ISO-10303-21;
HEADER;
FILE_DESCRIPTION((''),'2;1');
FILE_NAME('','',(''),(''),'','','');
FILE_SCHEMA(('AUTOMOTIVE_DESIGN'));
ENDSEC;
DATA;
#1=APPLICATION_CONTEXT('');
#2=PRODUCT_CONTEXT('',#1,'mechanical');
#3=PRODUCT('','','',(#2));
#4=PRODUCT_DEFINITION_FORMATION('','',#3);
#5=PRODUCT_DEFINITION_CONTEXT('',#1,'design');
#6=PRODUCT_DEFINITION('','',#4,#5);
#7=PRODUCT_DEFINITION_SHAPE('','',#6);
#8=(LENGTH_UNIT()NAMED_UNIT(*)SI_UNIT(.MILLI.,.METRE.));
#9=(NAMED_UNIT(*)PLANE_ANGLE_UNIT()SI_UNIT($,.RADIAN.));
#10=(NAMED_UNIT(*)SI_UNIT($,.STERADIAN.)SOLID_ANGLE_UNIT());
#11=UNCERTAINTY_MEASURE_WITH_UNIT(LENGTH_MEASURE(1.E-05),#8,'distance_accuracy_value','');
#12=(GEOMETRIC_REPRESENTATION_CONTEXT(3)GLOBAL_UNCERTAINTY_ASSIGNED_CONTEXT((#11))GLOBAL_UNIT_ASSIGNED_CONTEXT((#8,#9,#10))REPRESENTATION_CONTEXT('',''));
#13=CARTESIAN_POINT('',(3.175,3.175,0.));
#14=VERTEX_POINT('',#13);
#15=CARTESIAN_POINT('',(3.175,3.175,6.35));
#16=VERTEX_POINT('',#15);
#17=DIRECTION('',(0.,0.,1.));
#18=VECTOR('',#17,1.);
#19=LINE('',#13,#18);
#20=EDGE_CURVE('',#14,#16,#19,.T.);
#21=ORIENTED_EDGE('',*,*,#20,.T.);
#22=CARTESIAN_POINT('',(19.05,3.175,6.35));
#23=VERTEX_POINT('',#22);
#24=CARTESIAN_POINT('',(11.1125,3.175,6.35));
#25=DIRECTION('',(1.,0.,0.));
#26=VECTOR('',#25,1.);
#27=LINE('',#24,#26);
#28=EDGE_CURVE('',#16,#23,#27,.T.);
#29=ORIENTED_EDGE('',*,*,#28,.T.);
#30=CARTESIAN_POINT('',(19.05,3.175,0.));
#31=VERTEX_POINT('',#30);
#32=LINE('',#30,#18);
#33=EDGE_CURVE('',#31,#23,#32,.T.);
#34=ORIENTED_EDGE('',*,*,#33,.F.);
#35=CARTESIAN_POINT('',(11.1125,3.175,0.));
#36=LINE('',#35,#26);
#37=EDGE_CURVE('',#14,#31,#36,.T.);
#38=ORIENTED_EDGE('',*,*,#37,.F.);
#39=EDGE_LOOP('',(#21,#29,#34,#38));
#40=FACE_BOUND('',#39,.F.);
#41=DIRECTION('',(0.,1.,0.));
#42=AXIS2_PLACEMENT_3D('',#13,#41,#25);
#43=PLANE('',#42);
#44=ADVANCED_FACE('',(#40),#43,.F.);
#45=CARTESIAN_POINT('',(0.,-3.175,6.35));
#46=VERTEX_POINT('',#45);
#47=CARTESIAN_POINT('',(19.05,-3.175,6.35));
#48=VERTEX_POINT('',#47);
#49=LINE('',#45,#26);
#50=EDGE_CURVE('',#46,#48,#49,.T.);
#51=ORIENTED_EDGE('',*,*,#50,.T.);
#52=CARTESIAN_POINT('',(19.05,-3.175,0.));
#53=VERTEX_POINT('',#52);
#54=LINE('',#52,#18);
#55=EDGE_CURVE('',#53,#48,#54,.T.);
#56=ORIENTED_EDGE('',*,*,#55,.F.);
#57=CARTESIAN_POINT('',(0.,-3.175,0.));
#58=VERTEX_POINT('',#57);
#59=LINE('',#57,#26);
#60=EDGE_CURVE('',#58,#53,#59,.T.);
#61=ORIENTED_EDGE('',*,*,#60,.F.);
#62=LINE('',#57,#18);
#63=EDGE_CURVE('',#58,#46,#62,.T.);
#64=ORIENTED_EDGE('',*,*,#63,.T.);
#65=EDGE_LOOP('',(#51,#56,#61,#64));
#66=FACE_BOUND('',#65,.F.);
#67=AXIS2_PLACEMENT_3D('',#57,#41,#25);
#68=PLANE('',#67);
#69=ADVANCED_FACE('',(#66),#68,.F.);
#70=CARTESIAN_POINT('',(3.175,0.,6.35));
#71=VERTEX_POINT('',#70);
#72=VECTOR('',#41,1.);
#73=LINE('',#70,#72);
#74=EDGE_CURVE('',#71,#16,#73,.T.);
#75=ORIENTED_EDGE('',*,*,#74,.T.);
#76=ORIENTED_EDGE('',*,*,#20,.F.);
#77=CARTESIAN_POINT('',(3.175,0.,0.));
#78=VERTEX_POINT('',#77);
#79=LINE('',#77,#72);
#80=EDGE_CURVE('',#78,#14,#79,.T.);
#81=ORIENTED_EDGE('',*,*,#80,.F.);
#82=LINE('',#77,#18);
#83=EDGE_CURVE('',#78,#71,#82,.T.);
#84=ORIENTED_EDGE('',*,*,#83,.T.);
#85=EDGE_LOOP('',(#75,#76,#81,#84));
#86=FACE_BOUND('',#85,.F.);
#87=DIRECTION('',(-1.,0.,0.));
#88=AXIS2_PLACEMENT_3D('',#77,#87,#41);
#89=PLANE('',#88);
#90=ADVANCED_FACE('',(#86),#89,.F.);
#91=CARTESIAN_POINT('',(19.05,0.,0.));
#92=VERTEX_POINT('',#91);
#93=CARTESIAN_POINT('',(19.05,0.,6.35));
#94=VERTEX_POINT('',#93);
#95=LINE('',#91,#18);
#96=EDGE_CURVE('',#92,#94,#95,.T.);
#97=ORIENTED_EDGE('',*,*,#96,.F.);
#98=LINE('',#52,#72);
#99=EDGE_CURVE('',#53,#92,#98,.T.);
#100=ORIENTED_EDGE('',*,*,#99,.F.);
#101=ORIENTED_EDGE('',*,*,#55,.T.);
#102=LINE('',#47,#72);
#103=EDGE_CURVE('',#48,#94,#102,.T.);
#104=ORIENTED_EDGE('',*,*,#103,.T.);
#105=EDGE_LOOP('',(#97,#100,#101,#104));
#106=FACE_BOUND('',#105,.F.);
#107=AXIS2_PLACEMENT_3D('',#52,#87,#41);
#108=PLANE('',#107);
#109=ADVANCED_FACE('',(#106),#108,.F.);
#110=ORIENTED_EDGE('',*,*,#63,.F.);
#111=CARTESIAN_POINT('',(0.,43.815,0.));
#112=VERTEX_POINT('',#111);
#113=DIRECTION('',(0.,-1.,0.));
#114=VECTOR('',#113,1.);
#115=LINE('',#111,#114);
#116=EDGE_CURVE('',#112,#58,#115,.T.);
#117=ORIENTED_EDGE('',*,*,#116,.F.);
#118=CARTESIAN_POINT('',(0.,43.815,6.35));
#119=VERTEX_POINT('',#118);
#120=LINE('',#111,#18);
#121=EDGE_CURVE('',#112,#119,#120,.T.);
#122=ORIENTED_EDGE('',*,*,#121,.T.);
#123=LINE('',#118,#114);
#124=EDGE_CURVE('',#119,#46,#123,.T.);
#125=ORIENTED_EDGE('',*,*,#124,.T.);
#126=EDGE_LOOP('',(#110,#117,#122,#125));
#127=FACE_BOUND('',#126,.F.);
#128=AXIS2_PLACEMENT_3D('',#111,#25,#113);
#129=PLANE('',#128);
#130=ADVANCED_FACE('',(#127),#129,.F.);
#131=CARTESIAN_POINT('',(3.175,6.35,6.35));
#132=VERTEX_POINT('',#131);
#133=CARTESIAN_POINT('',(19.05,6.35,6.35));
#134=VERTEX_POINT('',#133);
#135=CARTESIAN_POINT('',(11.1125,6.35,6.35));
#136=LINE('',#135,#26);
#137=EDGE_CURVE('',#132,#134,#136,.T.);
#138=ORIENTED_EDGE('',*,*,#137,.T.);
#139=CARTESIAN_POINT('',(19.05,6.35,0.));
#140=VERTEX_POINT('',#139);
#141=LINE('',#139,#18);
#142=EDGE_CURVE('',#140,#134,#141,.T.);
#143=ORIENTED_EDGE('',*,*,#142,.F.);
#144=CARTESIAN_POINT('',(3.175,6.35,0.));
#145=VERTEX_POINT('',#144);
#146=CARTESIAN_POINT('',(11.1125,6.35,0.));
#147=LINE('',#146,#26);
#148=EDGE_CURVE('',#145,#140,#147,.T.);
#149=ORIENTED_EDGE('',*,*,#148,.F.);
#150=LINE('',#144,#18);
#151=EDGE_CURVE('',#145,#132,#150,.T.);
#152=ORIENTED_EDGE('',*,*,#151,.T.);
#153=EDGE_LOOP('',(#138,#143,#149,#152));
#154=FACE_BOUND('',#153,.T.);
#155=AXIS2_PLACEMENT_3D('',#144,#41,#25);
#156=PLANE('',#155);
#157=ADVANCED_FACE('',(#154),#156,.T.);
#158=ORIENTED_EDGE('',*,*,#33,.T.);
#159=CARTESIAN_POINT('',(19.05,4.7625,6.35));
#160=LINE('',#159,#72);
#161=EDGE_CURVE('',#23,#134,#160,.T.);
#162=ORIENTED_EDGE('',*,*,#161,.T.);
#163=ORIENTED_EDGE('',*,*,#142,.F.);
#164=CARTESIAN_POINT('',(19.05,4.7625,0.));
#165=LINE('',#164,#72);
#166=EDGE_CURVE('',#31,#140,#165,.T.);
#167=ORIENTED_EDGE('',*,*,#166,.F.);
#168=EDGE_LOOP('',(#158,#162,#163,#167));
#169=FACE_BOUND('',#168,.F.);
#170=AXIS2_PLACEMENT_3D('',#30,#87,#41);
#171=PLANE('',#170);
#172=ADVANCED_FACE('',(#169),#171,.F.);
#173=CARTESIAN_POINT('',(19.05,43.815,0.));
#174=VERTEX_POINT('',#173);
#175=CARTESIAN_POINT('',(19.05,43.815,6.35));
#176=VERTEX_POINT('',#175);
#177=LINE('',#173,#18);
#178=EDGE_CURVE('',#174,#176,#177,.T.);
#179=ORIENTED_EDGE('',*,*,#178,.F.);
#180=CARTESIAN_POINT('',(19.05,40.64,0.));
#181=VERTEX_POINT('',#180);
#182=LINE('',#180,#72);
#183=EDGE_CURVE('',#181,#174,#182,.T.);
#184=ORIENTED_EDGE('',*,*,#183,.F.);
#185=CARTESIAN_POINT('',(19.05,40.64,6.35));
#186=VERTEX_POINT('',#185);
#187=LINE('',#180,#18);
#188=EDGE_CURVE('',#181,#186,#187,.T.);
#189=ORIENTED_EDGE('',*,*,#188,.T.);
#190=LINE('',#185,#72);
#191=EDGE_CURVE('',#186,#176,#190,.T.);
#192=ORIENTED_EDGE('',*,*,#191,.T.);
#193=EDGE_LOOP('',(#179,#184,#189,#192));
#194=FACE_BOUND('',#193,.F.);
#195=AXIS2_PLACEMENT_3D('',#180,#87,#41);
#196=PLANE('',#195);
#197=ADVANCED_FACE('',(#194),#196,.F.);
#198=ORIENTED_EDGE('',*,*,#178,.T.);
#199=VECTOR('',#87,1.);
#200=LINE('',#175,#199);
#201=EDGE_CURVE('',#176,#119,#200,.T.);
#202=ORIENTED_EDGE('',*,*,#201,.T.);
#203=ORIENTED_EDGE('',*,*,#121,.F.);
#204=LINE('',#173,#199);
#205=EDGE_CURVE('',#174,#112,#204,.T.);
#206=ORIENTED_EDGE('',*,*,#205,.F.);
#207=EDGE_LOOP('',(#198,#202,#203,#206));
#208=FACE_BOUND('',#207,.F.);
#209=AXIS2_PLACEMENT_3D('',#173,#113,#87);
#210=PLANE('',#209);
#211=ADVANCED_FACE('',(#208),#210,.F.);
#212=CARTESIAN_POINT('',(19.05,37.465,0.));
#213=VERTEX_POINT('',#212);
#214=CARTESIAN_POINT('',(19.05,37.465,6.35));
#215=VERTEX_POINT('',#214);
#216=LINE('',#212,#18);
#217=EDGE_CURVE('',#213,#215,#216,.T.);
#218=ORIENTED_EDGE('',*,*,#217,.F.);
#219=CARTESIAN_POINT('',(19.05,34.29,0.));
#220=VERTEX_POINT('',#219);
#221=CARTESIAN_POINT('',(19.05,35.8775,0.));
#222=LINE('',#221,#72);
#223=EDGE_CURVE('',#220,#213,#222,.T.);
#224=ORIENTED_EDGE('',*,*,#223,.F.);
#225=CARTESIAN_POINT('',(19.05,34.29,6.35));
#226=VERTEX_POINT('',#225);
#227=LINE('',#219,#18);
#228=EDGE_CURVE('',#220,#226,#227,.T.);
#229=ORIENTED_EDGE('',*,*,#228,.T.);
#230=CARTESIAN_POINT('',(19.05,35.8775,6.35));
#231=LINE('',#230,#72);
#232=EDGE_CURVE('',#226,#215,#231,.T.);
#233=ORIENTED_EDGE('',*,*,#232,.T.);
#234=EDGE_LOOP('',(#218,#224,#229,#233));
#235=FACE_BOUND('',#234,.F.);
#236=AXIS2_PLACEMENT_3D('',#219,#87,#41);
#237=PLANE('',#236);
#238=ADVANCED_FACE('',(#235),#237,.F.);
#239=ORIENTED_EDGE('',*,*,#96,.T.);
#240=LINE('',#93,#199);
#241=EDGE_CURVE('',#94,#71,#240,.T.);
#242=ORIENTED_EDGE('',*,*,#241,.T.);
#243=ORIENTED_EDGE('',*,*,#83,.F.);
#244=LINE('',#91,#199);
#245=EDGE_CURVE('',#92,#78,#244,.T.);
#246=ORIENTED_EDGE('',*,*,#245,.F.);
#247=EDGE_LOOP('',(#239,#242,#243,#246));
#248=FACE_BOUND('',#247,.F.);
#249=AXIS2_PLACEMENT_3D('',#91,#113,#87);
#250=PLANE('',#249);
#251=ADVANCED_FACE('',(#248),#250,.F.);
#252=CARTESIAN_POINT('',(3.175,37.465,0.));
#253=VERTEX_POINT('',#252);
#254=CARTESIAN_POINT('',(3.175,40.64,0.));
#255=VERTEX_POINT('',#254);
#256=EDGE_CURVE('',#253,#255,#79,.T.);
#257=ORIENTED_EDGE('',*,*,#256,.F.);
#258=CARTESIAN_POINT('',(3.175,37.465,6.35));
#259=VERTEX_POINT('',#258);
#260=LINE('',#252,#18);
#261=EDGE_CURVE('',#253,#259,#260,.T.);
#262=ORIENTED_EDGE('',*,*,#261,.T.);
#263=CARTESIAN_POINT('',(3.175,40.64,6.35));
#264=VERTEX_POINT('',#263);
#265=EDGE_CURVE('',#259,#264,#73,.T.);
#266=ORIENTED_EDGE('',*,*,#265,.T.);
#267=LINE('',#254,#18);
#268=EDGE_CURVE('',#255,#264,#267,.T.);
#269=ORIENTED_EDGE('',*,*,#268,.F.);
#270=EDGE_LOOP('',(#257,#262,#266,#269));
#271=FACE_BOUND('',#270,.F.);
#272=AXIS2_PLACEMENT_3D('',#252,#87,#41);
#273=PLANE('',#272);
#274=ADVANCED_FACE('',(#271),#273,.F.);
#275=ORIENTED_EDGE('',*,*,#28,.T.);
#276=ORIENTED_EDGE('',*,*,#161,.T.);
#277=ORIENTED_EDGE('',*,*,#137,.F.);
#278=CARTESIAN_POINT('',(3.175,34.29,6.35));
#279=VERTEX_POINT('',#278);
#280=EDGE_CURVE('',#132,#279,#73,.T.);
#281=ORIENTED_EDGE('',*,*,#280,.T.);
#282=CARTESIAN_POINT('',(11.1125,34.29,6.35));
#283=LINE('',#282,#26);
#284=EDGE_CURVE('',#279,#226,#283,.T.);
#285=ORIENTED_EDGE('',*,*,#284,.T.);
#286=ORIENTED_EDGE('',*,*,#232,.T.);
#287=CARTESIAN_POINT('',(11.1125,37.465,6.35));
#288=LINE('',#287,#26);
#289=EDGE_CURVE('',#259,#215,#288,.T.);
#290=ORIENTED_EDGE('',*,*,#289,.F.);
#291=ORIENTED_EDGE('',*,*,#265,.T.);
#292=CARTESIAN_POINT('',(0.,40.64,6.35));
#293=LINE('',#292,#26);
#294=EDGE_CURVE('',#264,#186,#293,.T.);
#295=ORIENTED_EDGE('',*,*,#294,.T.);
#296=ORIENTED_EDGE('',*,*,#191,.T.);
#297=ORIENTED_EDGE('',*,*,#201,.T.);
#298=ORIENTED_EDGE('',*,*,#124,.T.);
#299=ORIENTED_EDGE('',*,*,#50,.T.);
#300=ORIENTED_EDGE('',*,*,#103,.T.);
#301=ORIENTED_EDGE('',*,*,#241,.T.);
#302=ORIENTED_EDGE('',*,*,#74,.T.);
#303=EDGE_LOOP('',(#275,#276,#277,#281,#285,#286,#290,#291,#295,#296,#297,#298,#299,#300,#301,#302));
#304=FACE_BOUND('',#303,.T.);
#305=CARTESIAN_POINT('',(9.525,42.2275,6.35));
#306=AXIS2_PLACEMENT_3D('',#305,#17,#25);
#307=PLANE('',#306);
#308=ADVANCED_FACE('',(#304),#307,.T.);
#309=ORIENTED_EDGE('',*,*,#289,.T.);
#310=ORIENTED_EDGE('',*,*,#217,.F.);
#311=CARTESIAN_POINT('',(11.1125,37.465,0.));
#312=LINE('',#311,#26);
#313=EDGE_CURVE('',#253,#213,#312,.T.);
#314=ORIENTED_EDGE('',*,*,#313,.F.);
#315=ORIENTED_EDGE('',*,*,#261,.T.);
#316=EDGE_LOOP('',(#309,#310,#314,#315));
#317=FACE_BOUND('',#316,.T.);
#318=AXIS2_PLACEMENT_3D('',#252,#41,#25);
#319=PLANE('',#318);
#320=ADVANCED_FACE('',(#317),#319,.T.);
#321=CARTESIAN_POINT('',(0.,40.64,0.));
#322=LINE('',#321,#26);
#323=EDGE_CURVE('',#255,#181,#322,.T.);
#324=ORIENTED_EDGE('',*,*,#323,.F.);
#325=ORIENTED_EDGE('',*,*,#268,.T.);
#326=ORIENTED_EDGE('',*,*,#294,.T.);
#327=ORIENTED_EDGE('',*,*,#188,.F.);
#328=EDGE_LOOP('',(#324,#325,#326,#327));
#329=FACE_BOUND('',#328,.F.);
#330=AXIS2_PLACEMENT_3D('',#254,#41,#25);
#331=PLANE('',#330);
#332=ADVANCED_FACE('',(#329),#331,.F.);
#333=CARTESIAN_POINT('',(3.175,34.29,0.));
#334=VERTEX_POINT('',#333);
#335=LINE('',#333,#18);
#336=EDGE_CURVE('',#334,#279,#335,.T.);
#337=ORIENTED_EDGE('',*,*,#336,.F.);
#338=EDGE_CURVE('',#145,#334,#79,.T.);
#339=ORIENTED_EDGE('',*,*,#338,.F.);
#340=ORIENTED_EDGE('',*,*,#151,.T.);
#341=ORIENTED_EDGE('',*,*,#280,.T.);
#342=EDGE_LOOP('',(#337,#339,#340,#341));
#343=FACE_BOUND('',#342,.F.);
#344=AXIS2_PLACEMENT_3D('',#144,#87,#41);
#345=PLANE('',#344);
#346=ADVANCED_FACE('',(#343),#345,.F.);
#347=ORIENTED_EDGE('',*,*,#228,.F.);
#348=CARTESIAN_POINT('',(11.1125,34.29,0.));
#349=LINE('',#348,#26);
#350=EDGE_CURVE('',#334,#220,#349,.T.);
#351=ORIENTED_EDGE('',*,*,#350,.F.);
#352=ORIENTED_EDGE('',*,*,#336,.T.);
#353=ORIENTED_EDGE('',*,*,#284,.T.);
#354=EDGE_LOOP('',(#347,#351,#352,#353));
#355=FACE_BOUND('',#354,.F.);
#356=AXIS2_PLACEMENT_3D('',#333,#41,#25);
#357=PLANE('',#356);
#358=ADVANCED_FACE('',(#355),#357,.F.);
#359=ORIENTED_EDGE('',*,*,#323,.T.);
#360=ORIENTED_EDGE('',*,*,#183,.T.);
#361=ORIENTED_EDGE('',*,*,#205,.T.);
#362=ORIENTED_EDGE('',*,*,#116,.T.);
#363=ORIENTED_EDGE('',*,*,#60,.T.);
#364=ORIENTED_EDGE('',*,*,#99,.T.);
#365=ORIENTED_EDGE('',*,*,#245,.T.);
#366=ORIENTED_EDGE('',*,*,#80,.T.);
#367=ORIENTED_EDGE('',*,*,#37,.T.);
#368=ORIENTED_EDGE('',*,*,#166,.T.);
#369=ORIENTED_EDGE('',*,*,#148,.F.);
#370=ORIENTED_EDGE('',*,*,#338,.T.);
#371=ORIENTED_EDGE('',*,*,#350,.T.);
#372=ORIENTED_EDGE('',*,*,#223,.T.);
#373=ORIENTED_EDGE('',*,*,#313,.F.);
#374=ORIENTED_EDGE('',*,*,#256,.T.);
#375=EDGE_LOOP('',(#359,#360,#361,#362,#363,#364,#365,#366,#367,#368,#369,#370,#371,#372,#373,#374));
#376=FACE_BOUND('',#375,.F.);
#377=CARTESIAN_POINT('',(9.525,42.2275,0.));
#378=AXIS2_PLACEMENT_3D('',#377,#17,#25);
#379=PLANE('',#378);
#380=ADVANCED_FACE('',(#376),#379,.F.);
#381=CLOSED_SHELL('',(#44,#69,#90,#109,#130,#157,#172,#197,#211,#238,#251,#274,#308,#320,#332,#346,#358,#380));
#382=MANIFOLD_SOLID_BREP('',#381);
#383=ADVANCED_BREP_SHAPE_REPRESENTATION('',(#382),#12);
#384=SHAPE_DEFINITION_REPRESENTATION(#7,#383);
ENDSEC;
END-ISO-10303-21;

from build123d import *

# Parameters (mm, degrees)
F0_W     = 15.875
F0_H     = 3.175
F1_DEPTH = 6.35


with BuildPart() as f1:
    # F0 (on Top) → F1 (new body)
    with BuildSketch(Plane.XY):
        Polygon((0, 43.815), (0, 40.64), (3.175, 40.64), (19.05, 40.64), (19.05, 43.815), align=None)
        Polygon((0, 40.64), (0, 0), (3.175, 0), (3.175, 3.175), (3.175, 6.35), (3.175, 34.29), (3.175, 37.465), (3.175, 40.64), align=None)
        with Locations((11.1125, 35.8775)):
            Rectangle(F0_W, F0_H)
        with Locations((11.1125, 4.7625)):
            Rectangle(F0_W, F0_H)
        Polygon((3.175, 0), (0, 0), (0, -3.175), (19.05, -3.175), (19.05, 0), align=None)
    extrude(amount=F1_DEPTH)


solid = f1.part
